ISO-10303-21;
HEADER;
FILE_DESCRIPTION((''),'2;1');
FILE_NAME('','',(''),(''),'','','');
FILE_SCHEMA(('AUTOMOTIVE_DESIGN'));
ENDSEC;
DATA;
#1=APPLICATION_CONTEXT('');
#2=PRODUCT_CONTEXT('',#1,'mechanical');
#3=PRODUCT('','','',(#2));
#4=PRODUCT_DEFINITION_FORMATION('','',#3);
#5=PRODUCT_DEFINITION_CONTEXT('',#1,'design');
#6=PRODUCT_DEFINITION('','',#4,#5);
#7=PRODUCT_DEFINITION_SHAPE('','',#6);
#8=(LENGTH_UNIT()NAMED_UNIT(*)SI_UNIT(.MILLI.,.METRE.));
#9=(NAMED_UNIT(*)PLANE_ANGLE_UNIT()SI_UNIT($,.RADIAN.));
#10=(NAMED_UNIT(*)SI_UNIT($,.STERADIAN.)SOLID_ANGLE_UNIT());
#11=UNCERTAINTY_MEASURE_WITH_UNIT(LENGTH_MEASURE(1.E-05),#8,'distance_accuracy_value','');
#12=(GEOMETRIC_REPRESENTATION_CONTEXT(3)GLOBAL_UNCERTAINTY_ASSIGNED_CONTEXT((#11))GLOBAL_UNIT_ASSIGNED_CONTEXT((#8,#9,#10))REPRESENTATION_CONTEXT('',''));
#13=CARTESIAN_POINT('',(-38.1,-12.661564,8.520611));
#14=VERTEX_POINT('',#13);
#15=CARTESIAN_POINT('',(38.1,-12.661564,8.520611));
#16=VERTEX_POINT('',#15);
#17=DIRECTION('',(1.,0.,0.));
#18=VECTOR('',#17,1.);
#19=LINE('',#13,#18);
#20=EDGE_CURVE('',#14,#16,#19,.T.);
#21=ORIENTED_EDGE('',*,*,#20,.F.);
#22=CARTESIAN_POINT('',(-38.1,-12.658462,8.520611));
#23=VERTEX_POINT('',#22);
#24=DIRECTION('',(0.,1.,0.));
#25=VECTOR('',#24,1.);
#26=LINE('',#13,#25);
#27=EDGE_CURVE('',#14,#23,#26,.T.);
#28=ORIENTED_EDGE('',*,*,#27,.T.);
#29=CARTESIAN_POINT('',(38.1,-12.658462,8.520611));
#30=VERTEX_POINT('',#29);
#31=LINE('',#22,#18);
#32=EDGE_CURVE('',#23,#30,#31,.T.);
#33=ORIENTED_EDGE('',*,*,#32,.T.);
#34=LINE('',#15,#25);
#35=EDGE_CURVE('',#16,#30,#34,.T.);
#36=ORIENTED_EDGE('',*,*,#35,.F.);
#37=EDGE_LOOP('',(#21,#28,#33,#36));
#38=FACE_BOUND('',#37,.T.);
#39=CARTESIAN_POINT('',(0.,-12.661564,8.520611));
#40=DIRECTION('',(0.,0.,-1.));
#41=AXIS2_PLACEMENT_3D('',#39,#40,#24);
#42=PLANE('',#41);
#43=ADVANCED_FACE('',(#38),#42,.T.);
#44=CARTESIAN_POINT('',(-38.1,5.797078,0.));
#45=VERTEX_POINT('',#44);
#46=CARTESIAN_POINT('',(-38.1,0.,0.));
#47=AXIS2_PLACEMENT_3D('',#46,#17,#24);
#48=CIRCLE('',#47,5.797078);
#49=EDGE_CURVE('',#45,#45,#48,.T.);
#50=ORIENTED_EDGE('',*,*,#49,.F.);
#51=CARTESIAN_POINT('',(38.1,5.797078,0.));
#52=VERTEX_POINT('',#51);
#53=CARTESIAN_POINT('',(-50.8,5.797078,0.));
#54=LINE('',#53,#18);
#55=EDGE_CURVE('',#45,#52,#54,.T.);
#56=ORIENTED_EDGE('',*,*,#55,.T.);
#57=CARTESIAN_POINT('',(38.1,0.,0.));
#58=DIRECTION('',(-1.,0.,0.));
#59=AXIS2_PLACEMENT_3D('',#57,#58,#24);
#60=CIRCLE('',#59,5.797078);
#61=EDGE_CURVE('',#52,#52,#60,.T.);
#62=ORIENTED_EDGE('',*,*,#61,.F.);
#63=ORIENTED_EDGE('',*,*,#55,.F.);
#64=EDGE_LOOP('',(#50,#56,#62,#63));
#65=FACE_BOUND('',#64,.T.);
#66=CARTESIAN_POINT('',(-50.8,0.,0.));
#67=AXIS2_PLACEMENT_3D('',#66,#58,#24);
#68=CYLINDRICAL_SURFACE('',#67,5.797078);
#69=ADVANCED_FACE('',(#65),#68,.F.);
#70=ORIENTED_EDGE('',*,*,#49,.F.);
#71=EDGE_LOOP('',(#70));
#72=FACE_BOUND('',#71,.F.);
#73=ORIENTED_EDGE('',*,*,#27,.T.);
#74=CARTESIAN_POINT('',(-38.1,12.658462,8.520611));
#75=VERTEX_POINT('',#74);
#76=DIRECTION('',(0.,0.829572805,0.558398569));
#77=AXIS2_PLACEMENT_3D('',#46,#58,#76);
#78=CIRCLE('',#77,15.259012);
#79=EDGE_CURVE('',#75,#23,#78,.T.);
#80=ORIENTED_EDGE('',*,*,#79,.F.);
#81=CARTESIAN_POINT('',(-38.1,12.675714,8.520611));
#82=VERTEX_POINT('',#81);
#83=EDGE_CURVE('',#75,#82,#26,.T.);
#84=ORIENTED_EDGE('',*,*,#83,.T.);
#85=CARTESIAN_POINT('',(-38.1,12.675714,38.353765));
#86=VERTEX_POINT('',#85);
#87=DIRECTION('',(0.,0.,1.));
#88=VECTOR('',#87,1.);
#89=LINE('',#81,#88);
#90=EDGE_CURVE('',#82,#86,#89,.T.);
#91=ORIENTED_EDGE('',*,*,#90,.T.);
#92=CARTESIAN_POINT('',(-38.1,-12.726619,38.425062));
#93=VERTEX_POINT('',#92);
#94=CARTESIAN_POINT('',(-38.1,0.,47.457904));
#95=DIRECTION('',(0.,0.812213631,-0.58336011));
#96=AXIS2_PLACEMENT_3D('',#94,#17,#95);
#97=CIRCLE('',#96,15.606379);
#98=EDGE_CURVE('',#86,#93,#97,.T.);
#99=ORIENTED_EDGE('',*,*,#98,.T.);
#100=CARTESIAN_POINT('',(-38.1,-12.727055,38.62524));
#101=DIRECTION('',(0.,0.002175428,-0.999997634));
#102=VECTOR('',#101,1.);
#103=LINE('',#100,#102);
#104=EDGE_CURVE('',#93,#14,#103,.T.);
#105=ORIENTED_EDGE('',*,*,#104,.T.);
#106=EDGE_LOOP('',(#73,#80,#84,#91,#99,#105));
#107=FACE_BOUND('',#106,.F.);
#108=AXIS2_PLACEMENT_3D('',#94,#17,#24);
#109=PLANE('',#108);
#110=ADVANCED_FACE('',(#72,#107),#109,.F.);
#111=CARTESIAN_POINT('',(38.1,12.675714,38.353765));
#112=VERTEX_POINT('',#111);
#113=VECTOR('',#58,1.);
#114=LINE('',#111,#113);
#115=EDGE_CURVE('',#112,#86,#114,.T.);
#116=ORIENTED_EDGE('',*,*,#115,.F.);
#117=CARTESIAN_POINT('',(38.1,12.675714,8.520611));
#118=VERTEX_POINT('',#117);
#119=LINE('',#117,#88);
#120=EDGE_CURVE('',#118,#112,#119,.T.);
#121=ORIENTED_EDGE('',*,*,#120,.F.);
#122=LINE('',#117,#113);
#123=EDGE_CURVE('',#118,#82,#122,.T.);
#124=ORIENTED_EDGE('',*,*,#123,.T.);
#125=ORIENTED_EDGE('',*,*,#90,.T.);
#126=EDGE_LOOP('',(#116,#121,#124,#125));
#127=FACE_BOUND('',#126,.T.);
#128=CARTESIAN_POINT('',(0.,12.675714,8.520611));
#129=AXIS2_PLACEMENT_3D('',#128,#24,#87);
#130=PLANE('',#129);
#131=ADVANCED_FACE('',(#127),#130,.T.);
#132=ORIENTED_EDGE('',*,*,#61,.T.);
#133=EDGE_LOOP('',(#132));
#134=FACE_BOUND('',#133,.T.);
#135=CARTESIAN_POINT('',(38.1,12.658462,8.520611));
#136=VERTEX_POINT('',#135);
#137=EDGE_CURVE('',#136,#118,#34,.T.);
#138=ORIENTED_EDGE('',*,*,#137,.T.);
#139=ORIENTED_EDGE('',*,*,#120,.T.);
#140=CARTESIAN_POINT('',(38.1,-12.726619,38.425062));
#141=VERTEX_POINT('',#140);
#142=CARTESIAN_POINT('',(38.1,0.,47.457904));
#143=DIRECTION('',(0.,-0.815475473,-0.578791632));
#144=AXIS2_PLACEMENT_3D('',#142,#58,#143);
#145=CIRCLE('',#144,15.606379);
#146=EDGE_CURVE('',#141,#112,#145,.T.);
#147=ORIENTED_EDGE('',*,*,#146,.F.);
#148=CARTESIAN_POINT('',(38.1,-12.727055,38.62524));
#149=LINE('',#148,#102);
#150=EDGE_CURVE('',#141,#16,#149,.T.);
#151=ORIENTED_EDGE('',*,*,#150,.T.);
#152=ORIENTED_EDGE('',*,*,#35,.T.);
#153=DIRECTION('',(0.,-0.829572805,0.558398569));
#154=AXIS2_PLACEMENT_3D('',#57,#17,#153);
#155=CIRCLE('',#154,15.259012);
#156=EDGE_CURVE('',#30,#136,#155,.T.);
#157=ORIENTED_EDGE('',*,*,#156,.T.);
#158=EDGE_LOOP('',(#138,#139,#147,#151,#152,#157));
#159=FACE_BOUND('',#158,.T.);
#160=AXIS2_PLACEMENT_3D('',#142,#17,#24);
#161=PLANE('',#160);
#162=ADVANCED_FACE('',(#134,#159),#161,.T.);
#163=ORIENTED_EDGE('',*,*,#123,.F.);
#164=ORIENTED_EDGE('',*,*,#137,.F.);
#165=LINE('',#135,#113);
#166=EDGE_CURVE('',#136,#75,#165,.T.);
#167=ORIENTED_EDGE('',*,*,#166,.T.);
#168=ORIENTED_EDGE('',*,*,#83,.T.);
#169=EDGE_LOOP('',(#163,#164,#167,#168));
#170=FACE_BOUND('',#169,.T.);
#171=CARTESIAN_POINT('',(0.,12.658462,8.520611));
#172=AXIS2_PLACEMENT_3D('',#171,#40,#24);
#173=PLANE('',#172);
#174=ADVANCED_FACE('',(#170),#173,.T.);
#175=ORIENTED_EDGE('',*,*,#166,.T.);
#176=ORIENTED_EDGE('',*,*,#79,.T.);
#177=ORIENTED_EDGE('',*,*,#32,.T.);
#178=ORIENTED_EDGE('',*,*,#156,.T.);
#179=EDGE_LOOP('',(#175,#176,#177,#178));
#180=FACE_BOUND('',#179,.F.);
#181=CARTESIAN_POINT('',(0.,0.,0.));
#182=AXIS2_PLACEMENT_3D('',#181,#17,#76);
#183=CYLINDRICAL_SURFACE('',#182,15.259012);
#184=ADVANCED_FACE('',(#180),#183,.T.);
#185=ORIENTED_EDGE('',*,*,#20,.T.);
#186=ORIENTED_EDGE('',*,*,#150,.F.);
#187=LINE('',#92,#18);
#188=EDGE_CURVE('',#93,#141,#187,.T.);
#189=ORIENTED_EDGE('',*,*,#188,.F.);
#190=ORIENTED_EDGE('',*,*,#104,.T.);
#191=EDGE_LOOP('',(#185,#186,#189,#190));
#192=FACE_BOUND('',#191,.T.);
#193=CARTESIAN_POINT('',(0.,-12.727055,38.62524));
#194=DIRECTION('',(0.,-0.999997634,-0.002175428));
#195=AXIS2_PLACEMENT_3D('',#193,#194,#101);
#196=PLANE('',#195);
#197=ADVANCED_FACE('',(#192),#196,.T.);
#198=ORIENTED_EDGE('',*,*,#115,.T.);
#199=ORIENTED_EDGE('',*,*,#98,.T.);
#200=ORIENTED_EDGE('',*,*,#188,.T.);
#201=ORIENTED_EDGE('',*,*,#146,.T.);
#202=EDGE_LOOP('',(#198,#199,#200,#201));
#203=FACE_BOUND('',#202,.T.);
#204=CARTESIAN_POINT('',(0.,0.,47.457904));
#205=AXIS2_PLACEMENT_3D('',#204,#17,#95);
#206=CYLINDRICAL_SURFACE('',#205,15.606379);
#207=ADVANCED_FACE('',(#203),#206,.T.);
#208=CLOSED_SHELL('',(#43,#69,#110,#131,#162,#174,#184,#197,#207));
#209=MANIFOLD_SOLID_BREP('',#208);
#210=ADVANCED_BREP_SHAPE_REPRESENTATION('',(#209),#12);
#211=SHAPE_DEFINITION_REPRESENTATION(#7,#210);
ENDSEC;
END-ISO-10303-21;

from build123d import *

# Parameters (mm, degrees)
F0_R      = 15.2590123091
F1_DEPTH  = 38.1
F2_R      = 15.2230009986
F3_DEPTH  = 38.1
F4_DEPTH  = 38.1
F5_R      = 5.7970775931
F6_DEPTH  = 50.8
F7_DEPTH  = 101.6
F10_DEPTH = 38.1
F11_DEPTH = 38.1
F12_R     = 15.6063789954
F13_DEPTH = 38.1
F14_DEPTH = 38.1
F15_DEPTH = 38.1


with BuildPart() as f1:
    # F0 (on Right) → F1 (new body)
    with BuildSketch(Plane.YZ):
        Circle(F0_R)
    extrude(amount=F1_DEPTH)

    # F2 (on Right) → F3 (join)
    with BuildSketch(Plane.YZ):
        Circle(F2_R)
    extrude(amount=F3_DEPTH)

    # F2 (on Right) → F4 (join)
    with BuildSketch(Plane.YZ):
        Circle(F2_R)
    extrude(amount=-F4_DEPTH)

    # F5 (on Right) → F6 (join)
    with BuildSketch(Plane.YZ):
        Circle(F5_R)
    extrude(amount=-F6_DEPTH)

    # F7 (cut): a face of the model
    f7_faces = [f1.faces().sort_by_distance(p)[0] for p in [
        (-50.8, 0, 0),
    ]]
    extrude(f7_faces, amount=-F7_DEPTH, mode=Mode.SUBTRACT)

    # F9 (on Right) → F10 (join)
    with BuildSketch(Plane.YZ):
        Polygon((-12.7270547673, 38.6252403259), (-12.6615641639, 8.5206106305), (12.6757137477, 8.5206106305), (12.6757137477, 38.6252403259), align=None)
    extrude(amount=F10_DEPTH)

    # F11 (add): a face of the model
    f11_faces = [f1.faces().sort_by_distance(p)[0] for p in [
        (0, -0.0109795031, 25.7338348124),
    ]]
    extrude(f11_faces, amount=F11_DEPTH)

    # F12 (on Right) → F13 (join)
    with BuildSketch(Plane.YZ):
        with Locations((0, 47.4579036236)):
            Circle(F12_R)
    extrude(amount=F13_DEPTH)

    # F14 (add): a face of the model
    f14_faces = [f1.faces().sort_by_distance(p)[0] for p in [
        (0, 0.0002381193, 49.6663951718),
    ]]
    extrude(f14_faces, amount=-F14_DEPTH)

    # F15 (add): a face of the model
    f15_faces = [f1.faces().sort_by_distance(p)[0] for p in [
        (0, 0.0002381193, 49.6663951718),
    ]]
    extrude(f15_faces, amount=F15_DEPTH)


solid = f1.part
